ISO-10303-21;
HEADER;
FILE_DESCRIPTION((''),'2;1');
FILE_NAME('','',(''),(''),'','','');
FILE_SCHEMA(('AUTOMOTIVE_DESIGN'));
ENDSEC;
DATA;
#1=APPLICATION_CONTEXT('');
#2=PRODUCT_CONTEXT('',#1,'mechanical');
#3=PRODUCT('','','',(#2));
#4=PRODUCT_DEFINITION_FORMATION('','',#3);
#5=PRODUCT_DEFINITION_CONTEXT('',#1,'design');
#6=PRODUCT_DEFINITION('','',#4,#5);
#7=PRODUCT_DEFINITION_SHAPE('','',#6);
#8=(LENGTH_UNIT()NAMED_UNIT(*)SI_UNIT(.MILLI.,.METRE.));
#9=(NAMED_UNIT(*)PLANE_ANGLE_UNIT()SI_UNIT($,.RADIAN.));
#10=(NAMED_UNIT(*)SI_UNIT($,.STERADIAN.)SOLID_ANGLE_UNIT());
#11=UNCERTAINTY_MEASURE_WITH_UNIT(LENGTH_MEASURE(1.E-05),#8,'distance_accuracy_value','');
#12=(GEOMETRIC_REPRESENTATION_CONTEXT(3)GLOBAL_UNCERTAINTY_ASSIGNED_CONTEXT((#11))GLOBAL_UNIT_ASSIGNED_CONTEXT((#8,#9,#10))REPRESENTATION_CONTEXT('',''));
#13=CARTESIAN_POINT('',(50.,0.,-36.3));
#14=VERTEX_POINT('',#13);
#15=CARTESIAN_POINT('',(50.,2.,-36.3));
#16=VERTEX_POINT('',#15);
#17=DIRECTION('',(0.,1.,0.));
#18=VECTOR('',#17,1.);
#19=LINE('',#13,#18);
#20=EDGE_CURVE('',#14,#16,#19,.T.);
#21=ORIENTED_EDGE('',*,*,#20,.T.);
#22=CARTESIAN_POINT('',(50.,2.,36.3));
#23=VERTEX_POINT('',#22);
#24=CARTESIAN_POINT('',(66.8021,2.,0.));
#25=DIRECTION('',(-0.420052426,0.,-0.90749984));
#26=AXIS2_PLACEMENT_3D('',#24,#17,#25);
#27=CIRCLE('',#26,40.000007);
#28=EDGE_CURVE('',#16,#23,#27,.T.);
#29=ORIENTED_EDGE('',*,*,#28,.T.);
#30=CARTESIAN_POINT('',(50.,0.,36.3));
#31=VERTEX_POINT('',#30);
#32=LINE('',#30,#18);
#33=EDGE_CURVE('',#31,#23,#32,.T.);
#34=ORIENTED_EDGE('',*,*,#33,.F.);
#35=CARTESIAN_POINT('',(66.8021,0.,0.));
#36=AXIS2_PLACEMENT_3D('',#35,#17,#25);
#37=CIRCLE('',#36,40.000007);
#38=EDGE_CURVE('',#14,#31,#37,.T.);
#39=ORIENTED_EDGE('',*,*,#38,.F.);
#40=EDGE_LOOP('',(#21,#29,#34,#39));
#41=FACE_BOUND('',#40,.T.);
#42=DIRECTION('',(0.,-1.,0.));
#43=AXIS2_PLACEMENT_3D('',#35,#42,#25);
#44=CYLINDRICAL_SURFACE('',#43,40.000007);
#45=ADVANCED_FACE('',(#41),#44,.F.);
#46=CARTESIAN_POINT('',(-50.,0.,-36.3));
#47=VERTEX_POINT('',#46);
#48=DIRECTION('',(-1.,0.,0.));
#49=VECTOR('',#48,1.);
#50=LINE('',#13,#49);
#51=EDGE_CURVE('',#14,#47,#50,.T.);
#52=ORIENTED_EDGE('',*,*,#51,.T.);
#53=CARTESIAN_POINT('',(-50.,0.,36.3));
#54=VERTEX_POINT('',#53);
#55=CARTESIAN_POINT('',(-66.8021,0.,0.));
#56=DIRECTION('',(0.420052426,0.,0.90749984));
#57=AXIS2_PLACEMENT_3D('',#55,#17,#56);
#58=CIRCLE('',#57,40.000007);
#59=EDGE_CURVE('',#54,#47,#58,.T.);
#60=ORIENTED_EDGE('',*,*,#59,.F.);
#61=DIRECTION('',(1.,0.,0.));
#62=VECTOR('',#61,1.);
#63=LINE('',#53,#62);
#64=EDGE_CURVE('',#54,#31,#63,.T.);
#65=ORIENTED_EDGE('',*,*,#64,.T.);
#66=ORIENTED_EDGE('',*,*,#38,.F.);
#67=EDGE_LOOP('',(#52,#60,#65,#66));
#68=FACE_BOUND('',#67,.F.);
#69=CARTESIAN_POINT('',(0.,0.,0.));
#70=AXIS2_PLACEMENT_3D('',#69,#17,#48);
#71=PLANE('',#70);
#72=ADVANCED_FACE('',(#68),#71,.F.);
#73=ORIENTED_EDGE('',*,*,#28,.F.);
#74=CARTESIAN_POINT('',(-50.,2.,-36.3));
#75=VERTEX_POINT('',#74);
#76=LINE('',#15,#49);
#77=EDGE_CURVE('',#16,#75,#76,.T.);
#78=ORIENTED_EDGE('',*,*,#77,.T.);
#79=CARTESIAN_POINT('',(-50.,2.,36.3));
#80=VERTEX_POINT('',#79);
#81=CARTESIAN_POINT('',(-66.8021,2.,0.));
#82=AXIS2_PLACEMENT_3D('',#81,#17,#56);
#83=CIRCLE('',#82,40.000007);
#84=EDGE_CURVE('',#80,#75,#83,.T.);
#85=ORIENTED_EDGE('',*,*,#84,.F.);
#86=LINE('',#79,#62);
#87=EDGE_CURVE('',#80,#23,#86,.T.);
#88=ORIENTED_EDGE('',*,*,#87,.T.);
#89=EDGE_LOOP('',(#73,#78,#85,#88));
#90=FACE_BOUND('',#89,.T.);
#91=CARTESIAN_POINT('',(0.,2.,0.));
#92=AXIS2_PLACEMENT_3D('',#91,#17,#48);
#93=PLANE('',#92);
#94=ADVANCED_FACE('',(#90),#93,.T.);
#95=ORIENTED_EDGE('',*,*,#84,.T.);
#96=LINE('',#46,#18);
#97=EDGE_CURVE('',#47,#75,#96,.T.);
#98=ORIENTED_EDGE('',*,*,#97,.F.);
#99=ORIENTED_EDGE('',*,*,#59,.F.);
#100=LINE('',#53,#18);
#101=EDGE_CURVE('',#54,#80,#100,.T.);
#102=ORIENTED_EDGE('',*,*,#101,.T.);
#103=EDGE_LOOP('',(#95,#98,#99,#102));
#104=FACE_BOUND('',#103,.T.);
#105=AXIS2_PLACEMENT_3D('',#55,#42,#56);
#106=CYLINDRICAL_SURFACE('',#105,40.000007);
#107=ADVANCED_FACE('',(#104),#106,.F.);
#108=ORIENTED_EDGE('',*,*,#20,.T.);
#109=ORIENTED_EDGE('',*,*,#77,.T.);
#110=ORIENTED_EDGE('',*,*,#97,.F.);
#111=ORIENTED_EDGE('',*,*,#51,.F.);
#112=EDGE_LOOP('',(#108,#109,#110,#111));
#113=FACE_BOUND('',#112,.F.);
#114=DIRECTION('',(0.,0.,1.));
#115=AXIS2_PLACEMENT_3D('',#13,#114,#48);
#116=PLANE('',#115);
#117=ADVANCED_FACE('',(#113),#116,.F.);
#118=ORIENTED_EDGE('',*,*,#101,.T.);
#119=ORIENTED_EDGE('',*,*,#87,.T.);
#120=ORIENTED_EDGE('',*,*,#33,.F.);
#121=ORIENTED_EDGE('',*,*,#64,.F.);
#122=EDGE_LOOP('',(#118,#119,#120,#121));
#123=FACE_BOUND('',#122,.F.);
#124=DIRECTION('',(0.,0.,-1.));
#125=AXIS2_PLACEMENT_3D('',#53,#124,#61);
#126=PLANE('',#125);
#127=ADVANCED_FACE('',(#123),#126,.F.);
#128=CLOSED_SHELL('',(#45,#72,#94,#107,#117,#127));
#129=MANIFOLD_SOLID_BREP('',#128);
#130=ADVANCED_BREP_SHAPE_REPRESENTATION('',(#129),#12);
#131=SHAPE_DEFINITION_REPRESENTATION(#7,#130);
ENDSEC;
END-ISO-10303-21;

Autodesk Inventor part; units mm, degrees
ref_plane "YZ Plane" through (0, 0, 0) normal (1, 0, 0) x (0, 1, 0)
ref_plane "XZ Plane" through (0, 0, 0) normal (0, 1, 0) x (-1, 0, 0)
ref_plane "XY Plane" through (0, 0, 0) normal (0, 0, 1) x (1, 0, 0)
sketch "Sketch1" plane through (0, 0, 0) normal (0, 1, 0) x (-1, 0, 0)
  line L0 (-50, -36.3) -> (50, -36.3)
  line L1 (50, 36.3) -> (-50, 36.3)
  line L2 (-50, -36.3) -> (50, 36.3) construction
  line L3 (50, -36.3) -> (-50, 36.3) construction
  arc A0 (50, 36.3) -> (50, -36.3) centre (66.8021, 0) ccw
  arc A1 (-50, -36.3) -> (-50, 36.3) centre (-66.8021, 0) ccw
  point P0 (0, 0)
  dimension "d0" = 100
  dimension "d1" = 72.6
  dimension "d4" = 40
  dimension "d5" = 40
extrude "Extrusion1" add sketch "Sketch1" along normal blind 2
properties part number "sablona_vystuha_clanek(1)"
